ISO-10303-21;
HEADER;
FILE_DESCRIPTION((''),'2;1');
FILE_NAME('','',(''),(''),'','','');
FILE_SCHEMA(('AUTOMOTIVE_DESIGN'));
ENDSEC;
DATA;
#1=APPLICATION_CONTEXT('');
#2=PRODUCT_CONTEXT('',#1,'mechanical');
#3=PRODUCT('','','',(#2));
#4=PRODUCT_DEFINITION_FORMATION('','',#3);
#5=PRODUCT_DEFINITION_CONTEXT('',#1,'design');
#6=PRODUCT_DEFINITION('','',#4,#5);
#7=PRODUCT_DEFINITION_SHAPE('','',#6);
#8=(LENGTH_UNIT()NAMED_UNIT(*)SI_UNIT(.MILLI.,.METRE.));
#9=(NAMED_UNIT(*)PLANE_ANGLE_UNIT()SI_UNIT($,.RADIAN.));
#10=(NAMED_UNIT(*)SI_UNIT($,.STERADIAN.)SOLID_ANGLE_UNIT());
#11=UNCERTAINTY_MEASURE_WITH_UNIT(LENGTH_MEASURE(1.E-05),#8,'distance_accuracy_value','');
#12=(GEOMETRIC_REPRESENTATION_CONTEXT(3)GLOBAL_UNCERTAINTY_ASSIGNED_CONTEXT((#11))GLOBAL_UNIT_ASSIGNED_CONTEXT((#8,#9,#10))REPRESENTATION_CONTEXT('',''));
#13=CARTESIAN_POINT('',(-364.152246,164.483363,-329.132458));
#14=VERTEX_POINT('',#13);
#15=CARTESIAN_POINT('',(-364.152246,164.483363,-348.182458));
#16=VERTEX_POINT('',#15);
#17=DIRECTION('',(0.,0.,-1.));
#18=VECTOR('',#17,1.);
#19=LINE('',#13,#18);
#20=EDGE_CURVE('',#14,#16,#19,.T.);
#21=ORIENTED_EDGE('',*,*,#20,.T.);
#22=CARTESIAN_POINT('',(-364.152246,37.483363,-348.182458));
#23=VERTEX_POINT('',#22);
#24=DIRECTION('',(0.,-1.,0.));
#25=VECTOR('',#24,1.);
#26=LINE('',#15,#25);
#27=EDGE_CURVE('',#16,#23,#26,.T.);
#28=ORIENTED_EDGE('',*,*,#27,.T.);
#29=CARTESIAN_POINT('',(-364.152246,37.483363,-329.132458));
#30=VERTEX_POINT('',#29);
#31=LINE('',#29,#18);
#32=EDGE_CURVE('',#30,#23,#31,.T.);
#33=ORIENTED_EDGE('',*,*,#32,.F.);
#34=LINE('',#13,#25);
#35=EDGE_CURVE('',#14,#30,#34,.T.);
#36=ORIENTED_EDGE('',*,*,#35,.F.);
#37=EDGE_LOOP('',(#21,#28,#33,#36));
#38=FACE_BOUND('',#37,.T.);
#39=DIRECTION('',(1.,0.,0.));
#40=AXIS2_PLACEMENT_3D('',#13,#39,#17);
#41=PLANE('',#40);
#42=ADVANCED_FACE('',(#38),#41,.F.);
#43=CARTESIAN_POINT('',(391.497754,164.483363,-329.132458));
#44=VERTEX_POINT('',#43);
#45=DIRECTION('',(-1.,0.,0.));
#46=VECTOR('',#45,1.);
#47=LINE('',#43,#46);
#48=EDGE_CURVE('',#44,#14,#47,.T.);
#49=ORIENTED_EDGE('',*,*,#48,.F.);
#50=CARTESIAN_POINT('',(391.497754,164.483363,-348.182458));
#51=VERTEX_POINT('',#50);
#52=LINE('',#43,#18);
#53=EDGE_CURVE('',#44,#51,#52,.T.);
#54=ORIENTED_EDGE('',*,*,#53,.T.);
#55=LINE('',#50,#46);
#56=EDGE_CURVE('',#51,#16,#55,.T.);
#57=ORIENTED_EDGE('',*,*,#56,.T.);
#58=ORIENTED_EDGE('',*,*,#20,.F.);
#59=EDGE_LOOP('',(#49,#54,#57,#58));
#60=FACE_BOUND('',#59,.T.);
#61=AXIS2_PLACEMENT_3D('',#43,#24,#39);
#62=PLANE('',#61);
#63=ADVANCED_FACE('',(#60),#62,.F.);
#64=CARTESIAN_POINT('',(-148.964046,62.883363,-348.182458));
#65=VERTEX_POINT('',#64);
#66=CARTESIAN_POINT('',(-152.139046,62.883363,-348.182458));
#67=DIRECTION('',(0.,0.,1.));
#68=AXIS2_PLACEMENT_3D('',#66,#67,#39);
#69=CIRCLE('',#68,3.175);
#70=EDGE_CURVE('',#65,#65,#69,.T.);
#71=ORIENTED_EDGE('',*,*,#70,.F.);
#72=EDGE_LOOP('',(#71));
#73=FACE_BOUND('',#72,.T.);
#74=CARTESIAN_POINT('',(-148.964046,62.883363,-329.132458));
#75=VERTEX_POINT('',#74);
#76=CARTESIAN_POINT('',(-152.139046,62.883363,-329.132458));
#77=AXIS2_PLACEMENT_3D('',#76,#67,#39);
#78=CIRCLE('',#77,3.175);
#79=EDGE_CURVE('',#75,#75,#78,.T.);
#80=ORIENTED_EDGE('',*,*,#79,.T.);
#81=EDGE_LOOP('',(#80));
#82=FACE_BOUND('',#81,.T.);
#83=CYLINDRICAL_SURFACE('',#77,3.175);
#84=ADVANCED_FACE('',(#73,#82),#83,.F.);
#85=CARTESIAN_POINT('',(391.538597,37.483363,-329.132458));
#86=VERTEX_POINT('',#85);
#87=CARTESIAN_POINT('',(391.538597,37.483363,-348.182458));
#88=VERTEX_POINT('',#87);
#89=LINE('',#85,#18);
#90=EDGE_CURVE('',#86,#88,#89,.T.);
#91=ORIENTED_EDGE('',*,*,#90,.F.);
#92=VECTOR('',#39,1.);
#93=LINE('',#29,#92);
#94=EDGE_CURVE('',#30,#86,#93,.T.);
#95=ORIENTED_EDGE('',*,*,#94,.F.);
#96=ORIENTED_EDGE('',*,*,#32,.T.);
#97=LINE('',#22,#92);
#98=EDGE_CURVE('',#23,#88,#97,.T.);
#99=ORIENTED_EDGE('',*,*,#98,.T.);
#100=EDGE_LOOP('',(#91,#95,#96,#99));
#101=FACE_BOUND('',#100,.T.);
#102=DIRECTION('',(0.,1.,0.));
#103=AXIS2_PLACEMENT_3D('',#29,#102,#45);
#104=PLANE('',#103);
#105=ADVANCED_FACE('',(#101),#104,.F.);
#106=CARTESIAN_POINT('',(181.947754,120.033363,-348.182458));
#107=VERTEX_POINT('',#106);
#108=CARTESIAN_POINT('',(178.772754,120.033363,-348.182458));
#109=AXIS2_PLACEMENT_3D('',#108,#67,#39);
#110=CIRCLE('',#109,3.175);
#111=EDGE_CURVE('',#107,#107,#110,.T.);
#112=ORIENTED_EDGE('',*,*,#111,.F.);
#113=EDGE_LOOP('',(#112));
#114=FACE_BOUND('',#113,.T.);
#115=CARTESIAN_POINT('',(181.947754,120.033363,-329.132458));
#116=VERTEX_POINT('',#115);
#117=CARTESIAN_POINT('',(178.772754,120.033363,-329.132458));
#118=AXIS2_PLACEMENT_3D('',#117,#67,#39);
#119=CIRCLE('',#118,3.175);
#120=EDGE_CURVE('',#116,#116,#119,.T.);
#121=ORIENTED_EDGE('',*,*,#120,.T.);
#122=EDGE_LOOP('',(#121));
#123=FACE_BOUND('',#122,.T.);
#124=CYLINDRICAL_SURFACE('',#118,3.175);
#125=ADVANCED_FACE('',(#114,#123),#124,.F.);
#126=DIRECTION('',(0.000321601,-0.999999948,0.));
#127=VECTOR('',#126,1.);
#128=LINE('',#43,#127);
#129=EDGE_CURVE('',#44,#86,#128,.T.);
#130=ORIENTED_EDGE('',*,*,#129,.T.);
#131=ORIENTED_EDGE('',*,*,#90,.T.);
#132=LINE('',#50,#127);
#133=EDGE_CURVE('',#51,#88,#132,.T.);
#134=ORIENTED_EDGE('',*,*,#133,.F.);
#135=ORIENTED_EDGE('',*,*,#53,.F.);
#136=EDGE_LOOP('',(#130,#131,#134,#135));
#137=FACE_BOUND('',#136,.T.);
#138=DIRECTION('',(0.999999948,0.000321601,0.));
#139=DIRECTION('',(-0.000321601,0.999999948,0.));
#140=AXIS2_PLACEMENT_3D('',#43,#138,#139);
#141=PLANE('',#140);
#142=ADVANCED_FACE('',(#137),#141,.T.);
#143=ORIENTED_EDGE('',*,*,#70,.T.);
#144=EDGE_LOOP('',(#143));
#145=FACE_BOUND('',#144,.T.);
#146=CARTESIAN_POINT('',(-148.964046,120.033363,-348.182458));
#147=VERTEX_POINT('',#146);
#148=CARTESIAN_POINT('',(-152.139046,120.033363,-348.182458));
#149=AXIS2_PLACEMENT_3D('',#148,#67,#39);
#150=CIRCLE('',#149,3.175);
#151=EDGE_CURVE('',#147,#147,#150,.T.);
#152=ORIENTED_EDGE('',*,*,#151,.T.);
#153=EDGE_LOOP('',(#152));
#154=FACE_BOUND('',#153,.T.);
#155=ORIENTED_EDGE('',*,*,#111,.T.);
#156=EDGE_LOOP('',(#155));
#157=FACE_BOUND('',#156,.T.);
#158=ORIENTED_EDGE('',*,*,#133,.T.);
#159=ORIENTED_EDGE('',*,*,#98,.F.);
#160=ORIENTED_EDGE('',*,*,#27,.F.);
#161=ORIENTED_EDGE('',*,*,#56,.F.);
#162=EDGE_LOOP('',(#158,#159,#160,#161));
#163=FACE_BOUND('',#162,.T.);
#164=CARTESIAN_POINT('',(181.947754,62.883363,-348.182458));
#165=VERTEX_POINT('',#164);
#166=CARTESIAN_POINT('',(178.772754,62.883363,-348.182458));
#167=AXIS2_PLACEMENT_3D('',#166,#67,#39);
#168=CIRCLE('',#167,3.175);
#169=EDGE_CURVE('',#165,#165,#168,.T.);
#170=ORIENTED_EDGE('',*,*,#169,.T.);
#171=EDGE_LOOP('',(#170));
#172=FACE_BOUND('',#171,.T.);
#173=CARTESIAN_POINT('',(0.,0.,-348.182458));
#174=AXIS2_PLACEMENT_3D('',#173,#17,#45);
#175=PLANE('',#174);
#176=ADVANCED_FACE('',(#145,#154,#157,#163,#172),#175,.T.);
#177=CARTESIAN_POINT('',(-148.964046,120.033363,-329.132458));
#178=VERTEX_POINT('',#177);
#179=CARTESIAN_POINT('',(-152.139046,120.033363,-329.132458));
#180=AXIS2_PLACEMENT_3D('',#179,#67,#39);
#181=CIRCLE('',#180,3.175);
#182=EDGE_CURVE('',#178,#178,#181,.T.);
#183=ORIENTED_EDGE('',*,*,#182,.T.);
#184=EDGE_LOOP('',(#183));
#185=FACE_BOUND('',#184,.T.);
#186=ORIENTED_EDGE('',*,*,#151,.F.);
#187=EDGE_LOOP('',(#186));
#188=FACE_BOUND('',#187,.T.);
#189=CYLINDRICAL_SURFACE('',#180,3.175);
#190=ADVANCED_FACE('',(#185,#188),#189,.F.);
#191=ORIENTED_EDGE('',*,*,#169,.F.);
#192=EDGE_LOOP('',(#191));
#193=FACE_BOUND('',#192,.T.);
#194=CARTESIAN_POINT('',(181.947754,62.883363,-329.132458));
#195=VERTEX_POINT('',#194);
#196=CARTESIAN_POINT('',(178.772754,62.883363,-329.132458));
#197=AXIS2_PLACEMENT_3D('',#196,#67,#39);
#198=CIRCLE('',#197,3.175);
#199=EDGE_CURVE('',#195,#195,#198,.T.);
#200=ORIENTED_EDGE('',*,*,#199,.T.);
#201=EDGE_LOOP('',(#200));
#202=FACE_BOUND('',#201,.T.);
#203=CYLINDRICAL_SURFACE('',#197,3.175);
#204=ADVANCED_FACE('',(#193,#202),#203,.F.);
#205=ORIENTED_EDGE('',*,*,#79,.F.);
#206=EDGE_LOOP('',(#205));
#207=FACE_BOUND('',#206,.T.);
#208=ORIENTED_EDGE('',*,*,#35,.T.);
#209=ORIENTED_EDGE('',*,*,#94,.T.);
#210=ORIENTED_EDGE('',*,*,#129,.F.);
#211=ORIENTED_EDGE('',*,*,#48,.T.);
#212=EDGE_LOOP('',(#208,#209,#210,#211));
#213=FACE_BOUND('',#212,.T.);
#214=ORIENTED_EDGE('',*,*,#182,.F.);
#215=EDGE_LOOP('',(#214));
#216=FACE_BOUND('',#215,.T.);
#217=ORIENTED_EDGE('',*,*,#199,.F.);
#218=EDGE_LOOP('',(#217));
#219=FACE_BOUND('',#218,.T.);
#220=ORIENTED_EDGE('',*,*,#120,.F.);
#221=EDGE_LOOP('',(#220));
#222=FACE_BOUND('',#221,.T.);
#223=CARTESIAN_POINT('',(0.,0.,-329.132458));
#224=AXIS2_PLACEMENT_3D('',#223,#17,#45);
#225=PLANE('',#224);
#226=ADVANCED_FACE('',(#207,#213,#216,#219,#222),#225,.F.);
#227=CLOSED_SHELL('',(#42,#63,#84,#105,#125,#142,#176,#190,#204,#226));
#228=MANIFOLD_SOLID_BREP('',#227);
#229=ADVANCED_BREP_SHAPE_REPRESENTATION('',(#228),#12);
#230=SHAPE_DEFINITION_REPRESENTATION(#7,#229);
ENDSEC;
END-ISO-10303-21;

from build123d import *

# Parameters (mm, degrees)
BOSS_EXTRUDE1_DEPTH         = 19.05
F_1_4_0_25_DIAMETER_HOLE1_D = 6.35


with BuildPart() as part:
    # Sketch1 → Boss-Extrude1 (new body)
    with BuildSketch(Plane.XY.offset(-348.182458287)):
        Polygon((391.497753528, 164.483362877), (-364.152246472, 164.483362877), (-364.152246472, 37.483362877), (391.538596905, 37.483362877), align=None)
    extrude(amount=BOSS_EXTRUDE1_DEPTH)

    # 1/4 (0.25) Diameter Hole1 (through all)
    with Locations(Plane.XY.offset(-329.132458287)):
        with Locations((-152.13904646, 120.033362877), (-152.13904646, 62.883362877), (178.772753528, 62.883362877), (178.772753528, 120.033362877)):
            Hole(F_1_4_0_25_DIAMETER_HOLE1_D / 2)


solid = part.part
